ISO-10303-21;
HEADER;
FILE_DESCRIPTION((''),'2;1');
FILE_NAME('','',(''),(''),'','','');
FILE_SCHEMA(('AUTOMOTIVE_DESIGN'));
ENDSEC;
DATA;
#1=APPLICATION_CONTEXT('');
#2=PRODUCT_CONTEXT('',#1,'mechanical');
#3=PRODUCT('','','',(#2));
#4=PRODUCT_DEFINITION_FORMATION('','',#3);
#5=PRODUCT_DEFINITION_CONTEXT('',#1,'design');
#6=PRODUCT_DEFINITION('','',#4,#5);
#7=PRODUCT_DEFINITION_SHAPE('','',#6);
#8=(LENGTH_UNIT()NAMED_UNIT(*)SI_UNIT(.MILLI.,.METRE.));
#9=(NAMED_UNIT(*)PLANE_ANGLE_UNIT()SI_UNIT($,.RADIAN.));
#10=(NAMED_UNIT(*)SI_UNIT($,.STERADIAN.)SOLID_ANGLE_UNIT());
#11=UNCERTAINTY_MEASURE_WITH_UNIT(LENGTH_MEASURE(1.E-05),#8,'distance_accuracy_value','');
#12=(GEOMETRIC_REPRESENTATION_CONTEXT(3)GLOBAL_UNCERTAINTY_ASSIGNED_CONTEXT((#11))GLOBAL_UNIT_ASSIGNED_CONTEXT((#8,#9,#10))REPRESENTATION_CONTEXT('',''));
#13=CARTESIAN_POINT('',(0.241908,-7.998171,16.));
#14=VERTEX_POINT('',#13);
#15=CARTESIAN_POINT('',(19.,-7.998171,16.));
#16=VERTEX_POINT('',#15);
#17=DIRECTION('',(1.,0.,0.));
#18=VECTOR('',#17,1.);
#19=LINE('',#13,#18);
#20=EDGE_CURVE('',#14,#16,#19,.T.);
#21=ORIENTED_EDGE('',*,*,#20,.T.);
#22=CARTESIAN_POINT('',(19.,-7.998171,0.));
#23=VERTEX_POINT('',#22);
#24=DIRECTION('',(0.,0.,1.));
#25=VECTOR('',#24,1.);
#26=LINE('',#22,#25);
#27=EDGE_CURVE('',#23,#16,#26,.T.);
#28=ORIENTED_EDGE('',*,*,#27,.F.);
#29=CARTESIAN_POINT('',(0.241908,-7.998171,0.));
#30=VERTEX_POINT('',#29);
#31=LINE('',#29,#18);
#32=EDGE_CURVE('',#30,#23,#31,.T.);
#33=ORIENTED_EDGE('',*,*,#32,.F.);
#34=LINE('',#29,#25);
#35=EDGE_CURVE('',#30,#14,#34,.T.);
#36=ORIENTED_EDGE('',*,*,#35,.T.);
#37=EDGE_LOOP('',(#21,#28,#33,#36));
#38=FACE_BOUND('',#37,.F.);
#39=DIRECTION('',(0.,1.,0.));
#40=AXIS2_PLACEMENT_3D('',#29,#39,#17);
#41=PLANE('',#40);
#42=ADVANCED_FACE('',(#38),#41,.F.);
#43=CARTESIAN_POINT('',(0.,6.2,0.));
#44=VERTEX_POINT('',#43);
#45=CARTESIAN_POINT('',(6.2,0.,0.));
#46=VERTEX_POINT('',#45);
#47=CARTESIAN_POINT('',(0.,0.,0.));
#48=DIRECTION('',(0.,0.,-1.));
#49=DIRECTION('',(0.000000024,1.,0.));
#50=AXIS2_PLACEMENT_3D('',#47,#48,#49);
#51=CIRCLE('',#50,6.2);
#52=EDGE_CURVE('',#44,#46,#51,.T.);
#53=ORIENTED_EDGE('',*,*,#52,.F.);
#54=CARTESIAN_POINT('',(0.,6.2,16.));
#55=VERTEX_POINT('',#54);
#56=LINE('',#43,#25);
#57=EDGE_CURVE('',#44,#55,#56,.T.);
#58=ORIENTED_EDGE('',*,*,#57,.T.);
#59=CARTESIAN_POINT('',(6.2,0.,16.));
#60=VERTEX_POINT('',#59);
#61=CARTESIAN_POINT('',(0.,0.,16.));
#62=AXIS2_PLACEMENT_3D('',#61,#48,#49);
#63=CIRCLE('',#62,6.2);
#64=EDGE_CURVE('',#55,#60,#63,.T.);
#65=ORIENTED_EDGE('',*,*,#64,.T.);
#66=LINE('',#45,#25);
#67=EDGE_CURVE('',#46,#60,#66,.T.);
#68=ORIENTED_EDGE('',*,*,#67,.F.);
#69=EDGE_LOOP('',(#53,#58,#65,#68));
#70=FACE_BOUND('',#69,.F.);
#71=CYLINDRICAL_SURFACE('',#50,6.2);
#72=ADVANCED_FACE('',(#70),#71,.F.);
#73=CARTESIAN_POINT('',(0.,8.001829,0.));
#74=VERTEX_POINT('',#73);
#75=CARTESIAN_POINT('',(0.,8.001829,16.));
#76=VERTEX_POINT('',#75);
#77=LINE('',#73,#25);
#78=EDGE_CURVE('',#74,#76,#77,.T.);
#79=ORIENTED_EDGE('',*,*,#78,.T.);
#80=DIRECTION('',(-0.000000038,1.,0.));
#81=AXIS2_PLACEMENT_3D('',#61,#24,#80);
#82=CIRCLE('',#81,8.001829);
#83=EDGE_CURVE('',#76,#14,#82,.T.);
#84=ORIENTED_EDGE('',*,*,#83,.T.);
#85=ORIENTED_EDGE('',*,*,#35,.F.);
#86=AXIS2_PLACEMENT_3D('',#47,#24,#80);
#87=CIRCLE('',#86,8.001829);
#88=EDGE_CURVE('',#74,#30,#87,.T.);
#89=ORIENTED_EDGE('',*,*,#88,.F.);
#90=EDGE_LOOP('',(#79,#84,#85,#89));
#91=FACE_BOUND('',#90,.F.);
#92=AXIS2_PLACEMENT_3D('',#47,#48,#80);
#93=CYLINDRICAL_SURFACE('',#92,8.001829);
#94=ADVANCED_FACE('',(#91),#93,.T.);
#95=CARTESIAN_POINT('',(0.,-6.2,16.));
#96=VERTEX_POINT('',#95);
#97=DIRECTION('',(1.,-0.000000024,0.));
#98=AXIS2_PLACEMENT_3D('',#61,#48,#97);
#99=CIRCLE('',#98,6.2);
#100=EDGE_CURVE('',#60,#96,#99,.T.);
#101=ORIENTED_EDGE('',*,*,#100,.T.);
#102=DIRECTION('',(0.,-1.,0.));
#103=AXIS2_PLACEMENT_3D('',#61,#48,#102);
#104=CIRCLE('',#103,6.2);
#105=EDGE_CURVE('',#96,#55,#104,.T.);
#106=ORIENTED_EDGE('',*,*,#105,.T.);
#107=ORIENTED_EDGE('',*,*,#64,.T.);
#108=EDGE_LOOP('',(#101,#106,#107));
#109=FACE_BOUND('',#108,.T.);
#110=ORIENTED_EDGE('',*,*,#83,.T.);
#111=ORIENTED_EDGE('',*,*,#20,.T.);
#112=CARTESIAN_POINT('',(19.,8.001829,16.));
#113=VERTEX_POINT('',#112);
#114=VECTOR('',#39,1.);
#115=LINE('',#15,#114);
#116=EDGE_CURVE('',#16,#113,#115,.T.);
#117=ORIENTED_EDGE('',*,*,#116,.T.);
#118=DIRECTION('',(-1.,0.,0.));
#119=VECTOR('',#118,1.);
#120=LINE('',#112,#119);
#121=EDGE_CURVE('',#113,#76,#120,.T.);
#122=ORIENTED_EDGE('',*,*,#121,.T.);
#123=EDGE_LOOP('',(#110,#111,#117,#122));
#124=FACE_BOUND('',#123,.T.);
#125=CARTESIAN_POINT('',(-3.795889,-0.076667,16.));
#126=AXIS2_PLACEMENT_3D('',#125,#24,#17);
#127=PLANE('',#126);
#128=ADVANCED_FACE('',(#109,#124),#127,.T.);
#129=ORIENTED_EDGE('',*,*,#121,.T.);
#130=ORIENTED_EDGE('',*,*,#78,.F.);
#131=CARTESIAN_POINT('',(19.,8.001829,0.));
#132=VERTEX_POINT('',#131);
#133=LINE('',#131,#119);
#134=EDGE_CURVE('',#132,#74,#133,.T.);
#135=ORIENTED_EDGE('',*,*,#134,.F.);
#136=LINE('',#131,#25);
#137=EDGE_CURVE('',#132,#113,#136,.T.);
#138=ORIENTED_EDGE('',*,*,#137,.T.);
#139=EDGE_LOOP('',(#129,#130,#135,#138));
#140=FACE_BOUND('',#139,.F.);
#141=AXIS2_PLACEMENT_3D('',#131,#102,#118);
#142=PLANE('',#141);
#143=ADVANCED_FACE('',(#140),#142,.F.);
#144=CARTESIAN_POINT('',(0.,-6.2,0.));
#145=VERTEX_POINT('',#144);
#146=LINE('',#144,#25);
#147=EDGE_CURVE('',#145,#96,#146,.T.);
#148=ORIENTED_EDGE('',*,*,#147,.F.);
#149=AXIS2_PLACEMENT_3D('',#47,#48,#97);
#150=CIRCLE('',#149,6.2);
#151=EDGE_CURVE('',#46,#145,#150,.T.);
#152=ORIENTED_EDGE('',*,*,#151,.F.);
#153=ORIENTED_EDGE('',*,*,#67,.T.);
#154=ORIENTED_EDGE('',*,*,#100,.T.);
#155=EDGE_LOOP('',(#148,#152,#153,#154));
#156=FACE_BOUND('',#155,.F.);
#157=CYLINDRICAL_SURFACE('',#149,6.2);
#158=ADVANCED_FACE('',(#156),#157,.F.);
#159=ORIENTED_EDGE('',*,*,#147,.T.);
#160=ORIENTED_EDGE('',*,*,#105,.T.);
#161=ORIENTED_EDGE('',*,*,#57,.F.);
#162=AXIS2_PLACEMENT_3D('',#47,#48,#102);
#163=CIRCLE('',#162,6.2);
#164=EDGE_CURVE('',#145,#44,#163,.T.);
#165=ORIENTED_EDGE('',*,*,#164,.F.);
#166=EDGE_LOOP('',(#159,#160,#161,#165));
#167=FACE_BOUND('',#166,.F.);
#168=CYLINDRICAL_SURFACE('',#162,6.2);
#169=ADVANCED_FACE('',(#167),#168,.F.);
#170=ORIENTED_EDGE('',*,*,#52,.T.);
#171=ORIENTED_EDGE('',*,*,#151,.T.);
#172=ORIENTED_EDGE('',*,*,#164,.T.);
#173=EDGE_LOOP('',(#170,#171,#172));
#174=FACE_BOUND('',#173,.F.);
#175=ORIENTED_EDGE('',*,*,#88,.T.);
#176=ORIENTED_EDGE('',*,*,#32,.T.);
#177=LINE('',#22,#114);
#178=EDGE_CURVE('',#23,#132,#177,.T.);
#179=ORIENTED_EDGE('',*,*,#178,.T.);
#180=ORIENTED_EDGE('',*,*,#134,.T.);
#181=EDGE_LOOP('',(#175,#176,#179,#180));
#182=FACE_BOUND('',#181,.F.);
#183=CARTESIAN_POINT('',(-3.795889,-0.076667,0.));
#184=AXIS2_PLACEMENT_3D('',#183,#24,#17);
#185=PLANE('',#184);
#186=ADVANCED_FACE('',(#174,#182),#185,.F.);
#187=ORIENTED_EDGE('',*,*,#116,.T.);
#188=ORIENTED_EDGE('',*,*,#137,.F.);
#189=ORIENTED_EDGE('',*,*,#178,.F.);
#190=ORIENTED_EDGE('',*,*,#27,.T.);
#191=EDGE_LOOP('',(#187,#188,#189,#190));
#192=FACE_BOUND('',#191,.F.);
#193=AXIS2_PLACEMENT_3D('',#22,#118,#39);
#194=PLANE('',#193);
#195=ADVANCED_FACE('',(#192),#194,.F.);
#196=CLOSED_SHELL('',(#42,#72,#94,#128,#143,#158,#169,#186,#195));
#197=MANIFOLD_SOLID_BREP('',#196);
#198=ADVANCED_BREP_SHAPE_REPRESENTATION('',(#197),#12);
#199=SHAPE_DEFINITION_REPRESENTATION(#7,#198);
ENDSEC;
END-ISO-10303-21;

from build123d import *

# Parameters (mm, degrees)
F1_DEPTH = 16


with BuildPart() as f1:
    # F0 (on Top) → F1 (new body)
    with BuildSketch(Plane.XY):
        with BuildLine():
            ThreePointArc((0, -6.2), (-6.2, 0), (0, 6.2))
            Line((0, 6.2), (0, 8.001829))
            ThreePointArc((0, 8.001829), (-8.000914, -0.120968), (0.241908, -7.998171))
            Line((0.241908, -7.998171), (0, -7.998171))
            Line((0, -7.998171), (0, -6.2))
        make_face()
        with BuildLine():
            ThreePointArc((0, 6.2), (4.384062, 4.384062), (6.2, 0))
            ThreePointArc((6.2, 0), (4.384062, -4.384062), (0, -6.2))
            Line((0, -6.2), (0, -7.998171))
            Line((0, -7.998171), (0.241908, -7.998171))
            ThreePointArc((0.241908, -7.998171), (5.743038, -5.571964), (8.001829, 0))
            ThreePointArc((8.001829, 0), (5.658147, 5.658147), (0, 8.001829))
            Line((0, 8.001829), (0, 6.2))
        make_face()
        with BuildLine():
            Line((19, 8.001829), (0, 8.001829))
            ThreePointArc((0, 8.001829), (5.658147, 5.658147), (8.001829, 0))
            ThreePointArc((8.001829, 0), (5.743038, -5.571964), (0.241908, -7.998171))
            Line((0.241908, -7.998171), (19, -7.998171))
            Line((19, -7.998171), (19, 8.001829))
        make_face()
    extrude(amount=F1_DEPTH)


solid = f1.part
